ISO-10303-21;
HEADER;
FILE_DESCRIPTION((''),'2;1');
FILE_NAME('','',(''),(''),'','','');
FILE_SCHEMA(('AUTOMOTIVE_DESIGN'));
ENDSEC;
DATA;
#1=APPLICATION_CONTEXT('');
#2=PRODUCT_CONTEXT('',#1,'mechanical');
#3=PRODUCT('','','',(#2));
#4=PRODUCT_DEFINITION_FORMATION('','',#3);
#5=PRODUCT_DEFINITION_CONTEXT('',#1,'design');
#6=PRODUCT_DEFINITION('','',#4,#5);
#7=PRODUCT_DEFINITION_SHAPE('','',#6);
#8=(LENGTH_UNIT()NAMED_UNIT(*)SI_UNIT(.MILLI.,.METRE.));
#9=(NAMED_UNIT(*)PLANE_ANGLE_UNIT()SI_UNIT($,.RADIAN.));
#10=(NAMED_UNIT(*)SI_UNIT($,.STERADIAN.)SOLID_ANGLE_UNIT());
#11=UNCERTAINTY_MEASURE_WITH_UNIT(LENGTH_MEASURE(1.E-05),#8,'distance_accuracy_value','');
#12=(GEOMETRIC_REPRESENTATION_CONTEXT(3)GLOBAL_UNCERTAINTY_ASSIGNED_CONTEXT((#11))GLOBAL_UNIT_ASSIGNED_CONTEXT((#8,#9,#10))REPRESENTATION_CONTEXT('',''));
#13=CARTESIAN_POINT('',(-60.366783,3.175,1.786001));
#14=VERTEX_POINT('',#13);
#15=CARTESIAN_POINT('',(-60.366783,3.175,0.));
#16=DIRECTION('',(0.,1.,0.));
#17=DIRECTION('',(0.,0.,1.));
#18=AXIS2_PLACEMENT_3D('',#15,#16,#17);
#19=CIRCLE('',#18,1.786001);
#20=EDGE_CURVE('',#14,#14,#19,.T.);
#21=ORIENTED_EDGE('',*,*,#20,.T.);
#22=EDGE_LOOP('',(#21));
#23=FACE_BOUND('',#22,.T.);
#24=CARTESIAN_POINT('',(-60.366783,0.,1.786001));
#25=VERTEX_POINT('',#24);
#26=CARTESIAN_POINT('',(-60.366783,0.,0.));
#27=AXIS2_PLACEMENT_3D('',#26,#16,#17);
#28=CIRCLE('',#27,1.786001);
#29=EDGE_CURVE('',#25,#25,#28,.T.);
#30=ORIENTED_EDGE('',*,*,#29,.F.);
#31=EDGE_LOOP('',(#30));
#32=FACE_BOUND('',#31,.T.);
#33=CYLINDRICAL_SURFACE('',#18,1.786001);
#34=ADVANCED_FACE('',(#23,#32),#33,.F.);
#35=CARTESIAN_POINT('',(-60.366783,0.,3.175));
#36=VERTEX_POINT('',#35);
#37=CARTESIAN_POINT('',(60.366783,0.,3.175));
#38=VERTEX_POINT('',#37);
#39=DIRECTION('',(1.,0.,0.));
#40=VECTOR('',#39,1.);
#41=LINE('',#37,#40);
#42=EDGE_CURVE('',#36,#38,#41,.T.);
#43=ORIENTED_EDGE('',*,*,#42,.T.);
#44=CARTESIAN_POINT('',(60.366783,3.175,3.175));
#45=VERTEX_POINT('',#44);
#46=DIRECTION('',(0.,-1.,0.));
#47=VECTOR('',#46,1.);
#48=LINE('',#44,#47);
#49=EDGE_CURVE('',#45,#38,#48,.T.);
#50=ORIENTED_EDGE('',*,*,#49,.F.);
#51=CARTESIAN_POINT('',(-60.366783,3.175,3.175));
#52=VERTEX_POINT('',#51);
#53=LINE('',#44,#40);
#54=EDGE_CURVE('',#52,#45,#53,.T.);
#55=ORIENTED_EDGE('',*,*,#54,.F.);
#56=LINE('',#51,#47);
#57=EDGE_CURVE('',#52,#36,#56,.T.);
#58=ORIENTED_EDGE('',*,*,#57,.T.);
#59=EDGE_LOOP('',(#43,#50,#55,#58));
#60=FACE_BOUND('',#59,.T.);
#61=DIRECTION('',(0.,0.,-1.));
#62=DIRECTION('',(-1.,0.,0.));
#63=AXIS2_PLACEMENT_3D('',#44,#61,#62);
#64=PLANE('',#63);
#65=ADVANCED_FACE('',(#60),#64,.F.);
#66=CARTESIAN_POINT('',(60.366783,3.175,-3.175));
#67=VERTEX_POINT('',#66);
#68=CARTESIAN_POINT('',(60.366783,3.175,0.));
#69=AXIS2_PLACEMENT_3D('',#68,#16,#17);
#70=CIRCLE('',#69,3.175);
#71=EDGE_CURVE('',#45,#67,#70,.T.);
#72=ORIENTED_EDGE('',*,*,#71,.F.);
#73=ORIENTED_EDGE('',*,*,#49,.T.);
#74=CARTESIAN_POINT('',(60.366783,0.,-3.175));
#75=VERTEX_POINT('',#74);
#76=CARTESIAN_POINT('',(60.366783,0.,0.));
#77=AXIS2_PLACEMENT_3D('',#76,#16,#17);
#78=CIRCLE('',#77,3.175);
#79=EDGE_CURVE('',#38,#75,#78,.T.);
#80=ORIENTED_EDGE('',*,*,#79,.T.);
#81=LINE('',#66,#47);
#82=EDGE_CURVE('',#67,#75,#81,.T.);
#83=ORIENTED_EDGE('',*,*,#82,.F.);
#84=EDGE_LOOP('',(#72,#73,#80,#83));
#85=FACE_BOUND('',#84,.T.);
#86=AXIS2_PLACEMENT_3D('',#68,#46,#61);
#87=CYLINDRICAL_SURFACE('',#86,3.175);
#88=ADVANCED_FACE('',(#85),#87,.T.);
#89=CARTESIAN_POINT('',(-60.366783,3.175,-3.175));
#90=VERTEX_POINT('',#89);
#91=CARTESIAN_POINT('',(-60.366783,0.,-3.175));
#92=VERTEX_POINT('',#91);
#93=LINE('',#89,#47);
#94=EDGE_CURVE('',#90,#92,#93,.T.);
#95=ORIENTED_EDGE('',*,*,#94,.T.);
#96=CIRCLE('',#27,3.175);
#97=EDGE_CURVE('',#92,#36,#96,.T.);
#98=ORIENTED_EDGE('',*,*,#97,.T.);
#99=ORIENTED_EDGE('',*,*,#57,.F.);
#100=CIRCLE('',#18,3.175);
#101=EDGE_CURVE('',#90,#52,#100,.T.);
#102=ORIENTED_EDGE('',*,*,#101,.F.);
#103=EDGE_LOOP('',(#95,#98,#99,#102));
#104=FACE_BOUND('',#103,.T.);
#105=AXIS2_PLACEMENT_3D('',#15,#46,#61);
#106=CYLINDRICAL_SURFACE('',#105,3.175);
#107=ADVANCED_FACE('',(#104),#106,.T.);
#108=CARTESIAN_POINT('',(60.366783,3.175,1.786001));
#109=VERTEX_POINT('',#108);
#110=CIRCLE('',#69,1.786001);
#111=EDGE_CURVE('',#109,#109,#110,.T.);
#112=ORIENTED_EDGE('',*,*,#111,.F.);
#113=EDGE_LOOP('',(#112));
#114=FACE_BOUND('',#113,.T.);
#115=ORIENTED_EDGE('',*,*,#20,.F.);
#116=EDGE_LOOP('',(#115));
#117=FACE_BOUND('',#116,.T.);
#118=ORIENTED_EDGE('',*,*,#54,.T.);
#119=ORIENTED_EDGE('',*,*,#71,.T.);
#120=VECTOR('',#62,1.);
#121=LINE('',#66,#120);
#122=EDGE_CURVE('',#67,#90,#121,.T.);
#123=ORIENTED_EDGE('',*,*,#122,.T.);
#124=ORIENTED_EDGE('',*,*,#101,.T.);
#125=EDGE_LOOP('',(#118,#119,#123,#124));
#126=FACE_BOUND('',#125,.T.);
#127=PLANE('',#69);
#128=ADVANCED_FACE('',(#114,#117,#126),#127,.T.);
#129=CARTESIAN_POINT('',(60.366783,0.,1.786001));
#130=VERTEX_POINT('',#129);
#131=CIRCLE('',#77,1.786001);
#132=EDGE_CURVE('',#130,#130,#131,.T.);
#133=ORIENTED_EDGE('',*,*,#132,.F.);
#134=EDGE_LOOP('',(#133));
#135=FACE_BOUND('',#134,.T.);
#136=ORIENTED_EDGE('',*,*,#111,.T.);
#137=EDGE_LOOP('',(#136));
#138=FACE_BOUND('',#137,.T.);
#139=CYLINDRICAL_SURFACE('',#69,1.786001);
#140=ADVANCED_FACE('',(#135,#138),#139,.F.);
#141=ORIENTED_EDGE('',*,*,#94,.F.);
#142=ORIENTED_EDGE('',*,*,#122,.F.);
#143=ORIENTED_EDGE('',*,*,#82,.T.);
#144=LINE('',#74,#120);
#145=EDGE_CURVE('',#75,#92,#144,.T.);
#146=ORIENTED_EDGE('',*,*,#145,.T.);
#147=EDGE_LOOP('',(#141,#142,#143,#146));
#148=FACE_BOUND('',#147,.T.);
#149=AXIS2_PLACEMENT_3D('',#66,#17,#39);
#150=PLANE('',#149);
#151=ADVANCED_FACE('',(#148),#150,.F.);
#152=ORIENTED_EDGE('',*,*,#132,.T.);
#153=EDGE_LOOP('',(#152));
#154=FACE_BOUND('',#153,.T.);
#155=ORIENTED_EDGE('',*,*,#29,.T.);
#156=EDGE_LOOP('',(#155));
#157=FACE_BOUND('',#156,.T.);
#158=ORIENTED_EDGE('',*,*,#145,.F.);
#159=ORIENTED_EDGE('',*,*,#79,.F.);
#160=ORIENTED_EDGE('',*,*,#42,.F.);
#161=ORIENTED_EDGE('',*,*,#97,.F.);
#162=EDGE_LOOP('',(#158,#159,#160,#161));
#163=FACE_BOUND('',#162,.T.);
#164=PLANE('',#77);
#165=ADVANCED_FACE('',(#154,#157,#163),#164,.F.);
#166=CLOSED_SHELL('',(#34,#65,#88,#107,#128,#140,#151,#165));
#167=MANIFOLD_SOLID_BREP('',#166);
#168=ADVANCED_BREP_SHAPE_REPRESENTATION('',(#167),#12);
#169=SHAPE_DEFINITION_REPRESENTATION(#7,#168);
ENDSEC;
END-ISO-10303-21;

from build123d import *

# Parameters (mm, degrees)
BOSS_EXTRUDE1_DEPTH             = 3.175
F_9_64_0_14063_DIAMETER_HOLE1_D = 3.572002


with BuildPart() as part:
    # Sketch1 → Boss-Extrude1 (new body)
    with BuildSketch(Plane(origin=(0, 0, 0), x_dir=(1, 0, 0), z_dir=(0, 1, 0))):
        with BuildLine():
            Line((60.366783, -3.175), (-60.366783, -3.175))
            ThreePointArc((-60.366783, -3.175), (-63.541783, 0), (-60.366783, 3.175))
            Line((-60.366783, 3.175), (60.366783, 3.175))
            ThreePointArc((60.366783, 3.175), (63.541783, 0), (60.366783, -3.175))
        make_face()
    extrude(amount=BOSS_EXTRUDE1_DEPTH)

    # 9/64 (0.14063) Diameter Hole1 (through all)
    with Locations(Plane(origin=(0, 3.175, 0), x_dir=(1, 0, 0), z_dir=(0, 1, 0))):
        with Locations((60.366783, 0), (-60.366783, 0)):
            Hole(F_9_64_0_14063_DIAMETER_HOLE1_D / 2)


solid = part.part
